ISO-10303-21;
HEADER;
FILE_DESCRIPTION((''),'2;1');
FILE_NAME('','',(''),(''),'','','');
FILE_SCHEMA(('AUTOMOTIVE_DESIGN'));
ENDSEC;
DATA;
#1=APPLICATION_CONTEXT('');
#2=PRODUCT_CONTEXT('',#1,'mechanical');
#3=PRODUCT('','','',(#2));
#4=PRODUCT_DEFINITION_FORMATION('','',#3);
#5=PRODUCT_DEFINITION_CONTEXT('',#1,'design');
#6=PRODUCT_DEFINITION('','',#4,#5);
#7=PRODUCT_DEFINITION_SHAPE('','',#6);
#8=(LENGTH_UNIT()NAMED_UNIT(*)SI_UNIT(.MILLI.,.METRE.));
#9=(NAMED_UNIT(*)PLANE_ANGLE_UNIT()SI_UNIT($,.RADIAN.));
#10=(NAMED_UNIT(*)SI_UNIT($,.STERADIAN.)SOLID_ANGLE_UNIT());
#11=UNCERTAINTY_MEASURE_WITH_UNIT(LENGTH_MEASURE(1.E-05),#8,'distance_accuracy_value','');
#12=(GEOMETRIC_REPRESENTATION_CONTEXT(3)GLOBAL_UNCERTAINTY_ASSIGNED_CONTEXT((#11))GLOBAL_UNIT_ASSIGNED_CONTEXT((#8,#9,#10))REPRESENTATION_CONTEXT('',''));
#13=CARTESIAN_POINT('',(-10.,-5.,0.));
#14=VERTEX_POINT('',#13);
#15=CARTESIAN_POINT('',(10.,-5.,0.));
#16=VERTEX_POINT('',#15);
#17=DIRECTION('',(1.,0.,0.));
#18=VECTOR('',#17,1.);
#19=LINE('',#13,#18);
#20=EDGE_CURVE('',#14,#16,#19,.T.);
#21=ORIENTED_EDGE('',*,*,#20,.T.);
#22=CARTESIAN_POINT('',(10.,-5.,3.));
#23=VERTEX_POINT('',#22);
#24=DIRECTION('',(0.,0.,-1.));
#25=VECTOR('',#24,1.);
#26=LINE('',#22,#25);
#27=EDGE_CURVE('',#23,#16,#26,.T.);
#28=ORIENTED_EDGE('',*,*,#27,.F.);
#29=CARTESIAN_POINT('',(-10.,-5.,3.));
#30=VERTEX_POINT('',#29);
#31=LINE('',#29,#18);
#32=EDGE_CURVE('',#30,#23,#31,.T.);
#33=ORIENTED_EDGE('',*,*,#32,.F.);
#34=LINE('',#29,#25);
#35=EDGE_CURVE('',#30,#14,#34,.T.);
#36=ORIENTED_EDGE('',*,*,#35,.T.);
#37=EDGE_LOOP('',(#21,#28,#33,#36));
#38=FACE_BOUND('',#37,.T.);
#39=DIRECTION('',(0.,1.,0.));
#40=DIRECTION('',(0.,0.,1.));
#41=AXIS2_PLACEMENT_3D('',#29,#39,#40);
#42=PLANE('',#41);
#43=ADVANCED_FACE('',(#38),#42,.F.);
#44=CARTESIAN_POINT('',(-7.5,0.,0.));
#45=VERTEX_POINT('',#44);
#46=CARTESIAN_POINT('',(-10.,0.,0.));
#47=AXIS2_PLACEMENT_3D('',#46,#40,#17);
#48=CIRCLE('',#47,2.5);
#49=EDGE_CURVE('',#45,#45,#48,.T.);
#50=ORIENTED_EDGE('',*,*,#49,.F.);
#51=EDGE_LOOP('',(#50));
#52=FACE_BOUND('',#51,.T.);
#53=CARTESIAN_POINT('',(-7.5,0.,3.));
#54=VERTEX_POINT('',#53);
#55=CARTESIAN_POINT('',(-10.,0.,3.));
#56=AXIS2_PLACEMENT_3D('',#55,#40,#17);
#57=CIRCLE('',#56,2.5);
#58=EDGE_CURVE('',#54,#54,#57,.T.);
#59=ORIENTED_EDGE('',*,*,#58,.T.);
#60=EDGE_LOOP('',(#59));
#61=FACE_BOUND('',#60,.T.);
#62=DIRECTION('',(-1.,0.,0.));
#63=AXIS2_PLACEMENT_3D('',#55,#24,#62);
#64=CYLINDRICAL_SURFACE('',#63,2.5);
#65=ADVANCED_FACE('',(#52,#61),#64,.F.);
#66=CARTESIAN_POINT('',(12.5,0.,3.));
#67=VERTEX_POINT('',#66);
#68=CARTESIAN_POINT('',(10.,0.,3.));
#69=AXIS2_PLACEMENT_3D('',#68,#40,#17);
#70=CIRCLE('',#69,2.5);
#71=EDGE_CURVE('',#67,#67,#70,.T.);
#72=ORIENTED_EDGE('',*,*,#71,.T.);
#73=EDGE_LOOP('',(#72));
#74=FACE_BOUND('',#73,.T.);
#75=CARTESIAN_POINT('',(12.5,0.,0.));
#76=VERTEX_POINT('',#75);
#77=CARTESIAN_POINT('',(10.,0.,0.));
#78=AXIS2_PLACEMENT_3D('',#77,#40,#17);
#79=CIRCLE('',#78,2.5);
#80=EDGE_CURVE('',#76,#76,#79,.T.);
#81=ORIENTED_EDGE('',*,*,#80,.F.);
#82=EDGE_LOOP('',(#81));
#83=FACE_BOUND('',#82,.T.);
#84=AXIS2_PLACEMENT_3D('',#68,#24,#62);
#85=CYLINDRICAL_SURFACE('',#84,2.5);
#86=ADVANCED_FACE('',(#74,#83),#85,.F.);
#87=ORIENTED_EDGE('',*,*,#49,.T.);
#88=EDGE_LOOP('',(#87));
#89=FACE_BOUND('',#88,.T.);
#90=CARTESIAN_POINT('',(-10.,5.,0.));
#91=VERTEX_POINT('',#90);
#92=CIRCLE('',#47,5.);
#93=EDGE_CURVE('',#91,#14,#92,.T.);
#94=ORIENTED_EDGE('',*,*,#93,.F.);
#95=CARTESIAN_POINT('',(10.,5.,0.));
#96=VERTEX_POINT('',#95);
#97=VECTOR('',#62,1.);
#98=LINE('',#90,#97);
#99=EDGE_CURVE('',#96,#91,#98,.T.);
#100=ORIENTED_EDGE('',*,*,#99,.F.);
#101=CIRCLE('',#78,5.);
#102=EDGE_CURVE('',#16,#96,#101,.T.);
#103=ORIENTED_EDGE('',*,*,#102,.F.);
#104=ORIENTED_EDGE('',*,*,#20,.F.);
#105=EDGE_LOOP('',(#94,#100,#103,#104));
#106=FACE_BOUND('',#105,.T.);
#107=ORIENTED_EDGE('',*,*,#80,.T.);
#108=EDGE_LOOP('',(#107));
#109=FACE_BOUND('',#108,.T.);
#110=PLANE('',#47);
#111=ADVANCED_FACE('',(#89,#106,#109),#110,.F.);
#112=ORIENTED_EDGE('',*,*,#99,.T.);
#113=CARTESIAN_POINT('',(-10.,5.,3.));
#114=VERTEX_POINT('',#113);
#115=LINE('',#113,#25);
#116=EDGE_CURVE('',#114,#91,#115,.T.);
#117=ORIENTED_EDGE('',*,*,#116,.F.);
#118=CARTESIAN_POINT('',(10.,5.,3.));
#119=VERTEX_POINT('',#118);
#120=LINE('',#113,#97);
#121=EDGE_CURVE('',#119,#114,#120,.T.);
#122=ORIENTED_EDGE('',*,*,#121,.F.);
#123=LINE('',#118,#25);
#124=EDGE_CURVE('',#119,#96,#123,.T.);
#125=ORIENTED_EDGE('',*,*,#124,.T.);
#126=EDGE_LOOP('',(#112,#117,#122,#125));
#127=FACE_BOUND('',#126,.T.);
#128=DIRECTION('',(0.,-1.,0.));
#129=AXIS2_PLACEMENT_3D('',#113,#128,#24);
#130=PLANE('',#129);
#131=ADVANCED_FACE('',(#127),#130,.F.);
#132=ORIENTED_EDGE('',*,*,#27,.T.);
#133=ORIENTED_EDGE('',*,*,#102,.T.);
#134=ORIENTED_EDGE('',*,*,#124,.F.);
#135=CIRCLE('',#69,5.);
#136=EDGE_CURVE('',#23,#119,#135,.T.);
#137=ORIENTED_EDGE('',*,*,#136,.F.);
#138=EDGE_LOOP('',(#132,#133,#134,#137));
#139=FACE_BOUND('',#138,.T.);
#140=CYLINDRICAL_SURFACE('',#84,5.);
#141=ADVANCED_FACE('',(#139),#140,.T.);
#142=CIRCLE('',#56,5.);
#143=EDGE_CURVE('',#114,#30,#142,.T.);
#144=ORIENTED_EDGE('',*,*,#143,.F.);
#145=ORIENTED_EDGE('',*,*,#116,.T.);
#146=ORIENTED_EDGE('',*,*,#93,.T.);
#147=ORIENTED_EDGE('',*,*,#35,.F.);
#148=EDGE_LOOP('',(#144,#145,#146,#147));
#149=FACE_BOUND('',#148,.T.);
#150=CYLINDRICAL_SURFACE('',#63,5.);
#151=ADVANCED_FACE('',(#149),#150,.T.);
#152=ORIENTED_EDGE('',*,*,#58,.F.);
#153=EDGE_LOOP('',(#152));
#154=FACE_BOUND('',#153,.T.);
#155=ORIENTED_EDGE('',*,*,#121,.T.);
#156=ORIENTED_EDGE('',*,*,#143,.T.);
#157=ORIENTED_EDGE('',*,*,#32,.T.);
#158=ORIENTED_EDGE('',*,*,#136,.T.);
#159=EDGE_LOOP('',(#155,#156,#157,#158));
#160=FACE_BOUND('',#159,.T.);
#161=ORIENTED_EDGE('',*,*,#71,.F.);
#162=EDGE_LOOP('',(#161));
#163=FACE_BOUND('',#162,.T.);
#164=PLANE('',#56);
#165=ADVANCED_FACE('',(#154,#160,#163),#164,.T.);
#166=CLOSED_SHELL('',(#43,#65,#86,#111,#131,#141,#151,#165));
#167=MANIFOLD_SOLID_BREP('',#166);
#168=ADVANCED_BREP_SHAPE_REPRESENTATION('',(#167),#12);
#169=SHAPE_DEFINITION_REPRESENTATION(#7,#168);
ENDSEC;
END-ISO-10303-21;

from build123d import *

# Parameters (mm, degrees)
SKETCH1_R           = 2.5
BOSS_EXTRUDE1_DEPTH = 3


with BuildPart() as part:
    # Sketch1 → Boss-Extrude1 (new body)
    with BuildSketch(Plane.XY):
        with BuildLine():
            Line((-10, 5), (10, 5))
            ThreePointArc((10, 5), (15, 0), (10, -5))
            Line((10, -5), (-10, -5))
            ThreePointArc((-10, -5), (-15, 0), (-10, 5))
        make_face()
        with Locations((-10, 0)):
            Circle(SKETCH1_R, mode=Mode.SUBTRACT)
        with Locations((10, 0)):
            Circle(SKETCH1_R, mode=Mode.SUBTRACT)
    extrude(amount=BOSS_EXTRUDE1_DEPTH)


solid = part.part
